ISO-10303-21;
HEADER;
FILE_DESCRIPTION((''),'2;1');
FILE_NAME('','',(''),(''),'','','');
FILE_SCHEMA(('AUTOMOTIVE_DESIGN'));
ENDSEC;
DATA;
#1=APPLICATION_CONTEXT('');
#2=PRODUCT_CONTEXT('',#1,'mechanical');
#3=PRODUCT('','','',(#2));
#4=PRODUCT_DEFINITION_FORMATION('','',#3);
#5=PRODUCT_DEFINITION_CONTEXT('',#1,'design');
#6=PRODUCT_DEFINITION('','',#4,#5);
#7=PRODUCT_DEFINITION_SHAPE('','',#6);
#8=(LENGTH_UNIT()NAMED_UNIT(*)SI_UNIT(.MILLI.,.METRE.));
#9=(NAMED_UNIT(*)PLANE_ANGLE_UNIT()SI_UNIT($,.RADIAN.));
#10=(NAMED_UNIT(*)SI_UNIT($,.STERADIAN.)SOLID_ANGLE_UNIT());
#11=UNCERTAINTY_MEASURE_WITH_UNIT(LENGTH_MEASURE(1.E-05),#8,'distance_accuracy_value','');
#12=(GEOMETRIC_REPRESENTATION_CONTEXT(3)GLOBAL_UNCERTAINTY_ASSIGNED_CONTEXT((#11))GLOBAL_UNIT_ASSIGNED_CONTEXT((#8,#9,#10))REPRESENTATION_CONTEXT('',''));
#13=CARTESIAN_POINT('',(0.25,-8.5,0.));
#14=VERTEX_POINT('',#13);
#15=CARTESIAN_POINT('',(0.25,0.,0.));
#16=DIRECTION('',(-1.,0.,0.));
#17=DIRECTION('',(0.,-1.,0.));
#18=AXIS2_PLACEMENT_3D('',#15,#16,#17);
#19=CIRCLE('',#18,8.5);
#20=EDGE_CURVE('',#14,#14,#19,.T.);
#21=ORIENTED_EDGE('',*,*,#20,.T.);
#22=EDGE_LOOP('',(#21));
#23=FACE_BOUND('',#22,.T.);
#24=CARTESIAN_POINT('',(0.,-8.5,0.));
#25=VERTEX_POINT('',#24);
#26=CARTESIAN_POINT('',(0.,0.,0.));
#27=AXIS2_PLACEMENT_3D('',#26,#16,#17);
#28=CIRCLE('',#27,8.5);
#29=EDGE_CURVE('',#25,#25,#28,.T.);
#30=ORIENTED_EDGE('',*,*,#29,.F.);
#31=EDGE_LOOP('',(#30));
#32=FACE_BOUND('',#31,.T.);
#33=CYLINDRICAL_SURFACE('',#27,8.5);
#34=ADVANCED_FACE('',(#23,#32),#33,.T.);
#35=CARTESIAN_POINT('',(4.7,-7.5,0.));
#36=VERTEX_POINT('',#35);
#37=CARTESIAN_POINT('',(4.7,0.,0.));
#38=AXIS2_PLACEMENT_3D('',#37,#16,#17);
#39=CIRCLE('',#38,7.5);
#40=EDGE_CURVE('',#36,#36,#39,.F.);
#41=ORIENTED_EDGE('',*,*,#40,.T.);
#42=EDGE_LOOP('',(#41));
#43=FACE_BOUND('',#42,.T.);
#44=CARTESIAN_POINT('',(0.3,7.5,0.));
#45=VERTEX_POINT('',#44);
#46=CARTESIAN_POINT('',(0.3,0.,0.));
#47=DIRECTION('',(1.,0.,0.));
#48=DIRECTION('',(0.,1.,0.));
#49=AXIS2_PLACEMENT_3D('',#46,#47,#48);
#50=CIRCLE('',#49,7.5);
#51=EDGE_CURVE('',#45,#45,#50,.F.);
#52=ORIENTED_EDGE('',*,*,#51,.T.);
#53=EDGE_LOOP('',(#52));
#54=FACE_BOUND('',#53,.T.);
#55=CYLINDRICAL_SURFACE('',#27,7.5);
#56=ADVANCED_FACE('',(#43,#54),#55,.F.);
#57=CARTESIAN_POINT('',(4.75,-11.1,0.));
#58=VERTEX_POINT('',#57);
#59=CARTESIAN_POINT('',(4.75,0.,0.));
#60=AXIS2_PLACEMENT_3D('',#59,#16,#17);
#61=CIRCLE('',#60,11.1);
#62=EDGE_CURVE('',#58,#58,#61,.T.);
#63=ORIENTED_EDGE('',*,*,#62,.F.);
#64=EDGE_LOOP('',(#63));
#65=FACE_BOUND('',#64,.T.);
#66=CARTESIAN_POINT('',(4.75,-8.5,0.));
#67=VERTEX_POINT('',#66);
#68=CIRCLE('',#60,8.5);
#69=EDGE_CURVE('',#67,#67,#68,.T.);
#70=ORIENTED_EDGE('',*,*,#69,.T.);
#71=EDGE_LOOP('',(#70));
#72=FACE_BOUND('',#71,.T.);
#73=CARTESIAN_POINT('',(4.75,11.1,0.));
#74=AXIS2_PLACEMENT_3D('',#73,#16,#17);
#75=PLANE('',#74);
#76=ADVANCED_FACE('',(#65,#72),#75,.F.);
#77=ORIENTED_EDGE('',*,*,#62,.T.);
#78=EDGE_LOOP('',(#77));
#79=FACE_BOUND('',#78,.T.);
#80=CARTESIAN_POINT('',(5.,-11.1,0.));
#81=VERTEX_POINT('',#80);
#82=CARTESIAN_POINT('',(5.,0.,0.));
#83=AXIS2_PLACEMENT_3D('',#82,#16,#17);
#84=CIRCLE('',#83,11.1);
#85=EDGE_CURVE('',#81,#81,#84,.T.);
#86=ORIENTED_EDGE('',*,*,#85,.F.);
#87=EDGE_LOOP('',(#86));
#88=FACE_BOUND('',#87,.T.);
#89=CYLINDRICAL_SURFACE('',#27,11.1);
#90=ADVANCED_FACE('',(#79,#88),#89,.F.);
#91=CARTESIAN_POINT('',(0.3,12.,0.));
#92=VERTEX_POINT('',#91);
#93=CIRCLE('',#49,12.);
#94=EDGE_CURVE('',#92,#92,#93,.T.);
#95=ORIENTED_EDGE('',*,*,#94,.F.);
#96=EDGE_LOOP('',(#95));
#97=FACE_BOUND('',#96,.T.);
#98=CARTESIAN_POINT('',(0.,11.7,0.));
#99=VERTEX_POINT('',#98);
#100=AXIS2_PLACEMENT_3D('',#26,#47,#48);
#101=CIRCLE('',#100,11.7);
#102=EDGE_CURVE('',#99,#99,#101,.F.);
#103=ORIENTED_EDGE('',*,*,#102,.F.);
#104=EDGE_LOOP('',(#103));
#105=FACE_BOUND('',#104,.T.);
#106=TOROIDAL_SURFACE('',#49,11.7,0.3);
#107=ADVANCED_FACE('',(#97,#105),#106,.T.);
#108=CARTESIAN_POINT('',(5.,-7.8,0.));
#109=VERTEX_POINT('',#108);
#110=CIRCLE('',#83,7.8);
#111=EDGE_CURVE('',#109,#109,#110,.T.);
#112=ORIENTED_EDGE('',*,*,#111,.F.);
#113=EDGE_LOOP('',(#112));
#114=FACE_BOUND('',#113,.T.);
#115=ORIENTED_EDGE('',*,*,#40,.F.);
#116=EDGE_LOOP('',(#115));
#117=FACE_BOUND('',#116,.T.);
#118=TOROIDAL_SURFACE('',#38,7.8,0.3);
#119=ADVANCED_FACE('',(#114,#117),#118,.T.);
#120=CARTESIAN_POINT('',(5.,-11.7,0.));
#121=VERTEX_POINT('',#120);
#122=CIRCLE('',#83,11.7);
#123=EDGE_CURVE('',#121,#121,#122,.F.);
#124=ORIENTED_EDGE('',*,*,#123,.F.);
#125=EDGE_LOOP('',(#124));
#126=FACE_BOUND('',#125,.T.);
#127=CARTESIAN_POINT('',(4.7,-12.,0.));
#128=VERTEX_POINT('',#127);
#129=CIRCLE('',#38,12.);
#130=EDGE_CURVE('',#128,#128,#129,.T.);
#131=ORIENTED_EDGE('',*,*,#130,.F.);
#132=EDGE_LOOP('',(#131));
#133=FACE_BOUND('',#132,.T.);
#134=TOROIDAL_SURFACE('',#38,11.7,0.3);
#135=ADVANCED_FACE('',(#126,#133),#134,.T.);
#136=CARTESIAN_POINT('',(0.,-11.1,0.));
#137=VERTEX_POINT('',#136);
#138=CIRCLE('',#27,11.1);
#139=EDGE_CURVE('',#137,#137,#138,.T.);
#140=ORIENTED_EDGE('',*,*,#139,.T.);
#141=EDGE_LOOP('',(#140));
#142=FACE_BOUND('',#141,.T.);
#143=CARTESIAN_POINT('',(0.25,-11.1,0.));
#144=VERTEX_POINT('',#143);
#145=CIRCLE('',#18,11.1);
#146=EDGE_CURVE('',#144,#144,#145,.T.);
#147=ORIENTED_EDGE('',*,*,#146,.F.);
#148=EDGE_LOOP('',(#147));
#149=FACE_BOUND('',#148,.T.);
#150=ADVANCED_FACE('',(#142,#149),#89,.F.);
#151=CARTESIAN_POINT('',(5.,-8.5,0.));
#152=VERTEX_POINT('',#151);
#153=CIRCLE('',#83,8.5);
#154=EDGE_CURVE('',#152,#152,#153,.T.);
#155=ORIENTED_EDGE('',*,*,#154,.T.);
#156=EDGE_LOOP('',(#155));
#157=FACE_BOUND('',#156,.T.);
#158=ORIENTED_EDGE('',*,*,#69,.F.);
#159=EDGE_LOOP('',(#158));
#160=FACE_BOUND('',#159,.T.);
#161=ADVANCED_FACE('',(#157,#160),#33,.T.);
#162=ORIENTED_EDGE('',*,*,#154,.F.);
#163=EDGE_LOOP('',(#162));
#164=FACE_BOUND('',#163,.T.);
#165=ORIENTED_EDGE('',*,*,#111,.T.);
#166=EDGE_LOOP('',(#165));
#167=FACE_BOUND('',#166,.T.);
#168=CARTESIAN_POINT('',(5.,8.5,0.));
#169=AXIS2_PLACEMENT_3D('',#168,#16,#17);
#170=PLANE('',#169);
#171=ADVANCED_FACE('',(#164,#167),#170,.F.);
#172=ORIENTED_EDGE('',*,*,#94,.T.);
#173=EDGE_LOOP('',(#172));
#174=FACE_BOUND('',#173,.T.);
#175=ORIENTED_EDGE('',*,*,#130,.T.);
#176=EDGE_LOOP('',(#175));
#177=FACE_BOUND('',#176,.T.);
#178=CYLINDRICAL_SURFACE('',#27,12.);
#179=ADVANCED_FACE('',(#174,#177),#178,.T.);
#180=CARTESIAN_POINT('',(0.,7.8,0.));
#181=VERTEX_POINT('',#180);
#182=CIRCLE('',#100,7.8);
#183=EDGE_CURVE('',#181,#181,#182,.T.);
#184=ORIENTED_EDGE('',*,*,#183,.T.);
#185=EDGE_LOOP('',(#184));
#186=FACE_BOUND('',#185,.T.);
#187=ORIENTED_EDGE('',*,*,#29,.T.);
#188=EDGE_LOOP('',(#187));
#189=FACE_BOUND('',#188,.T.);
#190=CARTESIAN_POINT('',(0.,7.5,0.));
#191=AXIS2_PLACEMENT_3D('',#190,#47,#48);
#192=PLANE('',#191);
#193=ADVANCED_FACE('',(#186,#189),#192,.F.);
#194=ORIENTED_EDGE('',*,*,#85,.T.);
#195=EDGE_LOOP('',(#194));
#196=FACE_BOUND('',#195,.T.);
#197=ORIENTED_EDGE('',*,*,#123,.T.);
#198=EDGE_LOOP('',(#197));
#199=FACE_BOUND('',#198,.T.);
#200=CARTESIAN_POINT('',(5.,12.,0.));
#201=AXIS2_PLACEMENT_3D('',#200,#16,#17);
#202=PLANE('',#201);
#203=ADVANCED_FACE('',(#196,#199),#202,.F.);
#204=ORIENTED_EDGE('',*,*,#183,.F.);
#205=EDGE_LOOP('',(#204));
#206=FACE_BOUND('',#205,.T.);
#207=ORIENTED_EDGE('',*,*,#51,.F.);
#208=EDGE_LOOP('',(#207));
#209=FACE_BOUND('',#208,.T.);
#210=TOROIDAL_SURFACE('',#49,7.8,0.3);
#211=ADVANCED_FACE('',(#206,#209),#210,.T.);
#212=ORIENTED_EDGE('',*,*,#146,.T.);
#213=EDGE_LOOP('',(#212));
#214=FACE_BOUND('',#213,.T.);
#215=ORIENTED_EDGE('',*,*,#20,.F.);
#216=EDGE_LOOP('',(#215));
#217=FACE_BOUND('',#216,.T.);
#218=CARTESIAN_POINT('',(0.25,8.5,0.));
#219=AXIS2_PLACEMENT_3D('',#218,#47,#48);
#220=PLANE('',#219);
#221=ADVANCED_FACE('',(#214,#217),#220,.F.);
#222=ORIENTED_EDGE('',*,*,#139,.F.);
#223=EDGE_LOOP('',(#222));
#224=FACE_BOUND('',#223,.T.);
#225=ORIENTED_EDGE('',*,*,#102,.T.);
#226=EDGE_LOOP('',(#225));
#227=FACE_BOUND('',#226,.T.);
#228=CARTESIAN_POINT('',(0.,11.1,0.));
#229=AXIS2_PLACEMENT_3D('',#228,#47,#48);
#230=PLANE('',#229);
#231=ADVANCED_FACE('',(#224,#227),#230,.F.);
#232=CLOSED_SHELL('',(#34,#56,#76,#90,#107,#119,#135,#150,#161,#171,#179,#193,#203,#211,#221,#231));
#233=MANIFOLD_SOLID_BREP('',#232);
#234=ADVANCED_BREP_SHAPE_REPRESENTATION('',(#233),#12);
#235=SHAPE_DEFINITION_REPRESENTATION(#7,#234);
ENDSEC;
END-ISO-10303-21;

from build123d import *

# Parameters (mm, degrees)
FILLET1_R = 0.3


with BuildPart() as part:
    # Sketch1 → Revolve1 (revolve)
    with BuildSketch(Plane.XY, mode=Mode.PRIVATE) as revolve1_sk:
        Polygon((0, 7.5), (0, 8.5), (0.25, 8.5), (0.25, 11.1), (0, 11.1), (0, 12), (5, 12), (5, 11.1), (4.75, 11.1), (4.75, 8.5), (5, 8.5), (5, 7.5), align=None)
    revolve(revolve1_sk.sketch.rotate(Axis((0, 0, 0), (1, 0, 0)), 180), axis=Axis((0, 0, 0), (1, 0, 0)))

    # Fillet1
    fillet1_edges = [part.edges().sort_by_distance(p)[0] for p in [
        (5, 12, 0),
        (0, 12, 0),
        (0, 7.5, 0),
        (5, 7.5, 0),
    ]]
    fillet(fillet1_edges, radius=FILLET1_R)


solid = part.part
